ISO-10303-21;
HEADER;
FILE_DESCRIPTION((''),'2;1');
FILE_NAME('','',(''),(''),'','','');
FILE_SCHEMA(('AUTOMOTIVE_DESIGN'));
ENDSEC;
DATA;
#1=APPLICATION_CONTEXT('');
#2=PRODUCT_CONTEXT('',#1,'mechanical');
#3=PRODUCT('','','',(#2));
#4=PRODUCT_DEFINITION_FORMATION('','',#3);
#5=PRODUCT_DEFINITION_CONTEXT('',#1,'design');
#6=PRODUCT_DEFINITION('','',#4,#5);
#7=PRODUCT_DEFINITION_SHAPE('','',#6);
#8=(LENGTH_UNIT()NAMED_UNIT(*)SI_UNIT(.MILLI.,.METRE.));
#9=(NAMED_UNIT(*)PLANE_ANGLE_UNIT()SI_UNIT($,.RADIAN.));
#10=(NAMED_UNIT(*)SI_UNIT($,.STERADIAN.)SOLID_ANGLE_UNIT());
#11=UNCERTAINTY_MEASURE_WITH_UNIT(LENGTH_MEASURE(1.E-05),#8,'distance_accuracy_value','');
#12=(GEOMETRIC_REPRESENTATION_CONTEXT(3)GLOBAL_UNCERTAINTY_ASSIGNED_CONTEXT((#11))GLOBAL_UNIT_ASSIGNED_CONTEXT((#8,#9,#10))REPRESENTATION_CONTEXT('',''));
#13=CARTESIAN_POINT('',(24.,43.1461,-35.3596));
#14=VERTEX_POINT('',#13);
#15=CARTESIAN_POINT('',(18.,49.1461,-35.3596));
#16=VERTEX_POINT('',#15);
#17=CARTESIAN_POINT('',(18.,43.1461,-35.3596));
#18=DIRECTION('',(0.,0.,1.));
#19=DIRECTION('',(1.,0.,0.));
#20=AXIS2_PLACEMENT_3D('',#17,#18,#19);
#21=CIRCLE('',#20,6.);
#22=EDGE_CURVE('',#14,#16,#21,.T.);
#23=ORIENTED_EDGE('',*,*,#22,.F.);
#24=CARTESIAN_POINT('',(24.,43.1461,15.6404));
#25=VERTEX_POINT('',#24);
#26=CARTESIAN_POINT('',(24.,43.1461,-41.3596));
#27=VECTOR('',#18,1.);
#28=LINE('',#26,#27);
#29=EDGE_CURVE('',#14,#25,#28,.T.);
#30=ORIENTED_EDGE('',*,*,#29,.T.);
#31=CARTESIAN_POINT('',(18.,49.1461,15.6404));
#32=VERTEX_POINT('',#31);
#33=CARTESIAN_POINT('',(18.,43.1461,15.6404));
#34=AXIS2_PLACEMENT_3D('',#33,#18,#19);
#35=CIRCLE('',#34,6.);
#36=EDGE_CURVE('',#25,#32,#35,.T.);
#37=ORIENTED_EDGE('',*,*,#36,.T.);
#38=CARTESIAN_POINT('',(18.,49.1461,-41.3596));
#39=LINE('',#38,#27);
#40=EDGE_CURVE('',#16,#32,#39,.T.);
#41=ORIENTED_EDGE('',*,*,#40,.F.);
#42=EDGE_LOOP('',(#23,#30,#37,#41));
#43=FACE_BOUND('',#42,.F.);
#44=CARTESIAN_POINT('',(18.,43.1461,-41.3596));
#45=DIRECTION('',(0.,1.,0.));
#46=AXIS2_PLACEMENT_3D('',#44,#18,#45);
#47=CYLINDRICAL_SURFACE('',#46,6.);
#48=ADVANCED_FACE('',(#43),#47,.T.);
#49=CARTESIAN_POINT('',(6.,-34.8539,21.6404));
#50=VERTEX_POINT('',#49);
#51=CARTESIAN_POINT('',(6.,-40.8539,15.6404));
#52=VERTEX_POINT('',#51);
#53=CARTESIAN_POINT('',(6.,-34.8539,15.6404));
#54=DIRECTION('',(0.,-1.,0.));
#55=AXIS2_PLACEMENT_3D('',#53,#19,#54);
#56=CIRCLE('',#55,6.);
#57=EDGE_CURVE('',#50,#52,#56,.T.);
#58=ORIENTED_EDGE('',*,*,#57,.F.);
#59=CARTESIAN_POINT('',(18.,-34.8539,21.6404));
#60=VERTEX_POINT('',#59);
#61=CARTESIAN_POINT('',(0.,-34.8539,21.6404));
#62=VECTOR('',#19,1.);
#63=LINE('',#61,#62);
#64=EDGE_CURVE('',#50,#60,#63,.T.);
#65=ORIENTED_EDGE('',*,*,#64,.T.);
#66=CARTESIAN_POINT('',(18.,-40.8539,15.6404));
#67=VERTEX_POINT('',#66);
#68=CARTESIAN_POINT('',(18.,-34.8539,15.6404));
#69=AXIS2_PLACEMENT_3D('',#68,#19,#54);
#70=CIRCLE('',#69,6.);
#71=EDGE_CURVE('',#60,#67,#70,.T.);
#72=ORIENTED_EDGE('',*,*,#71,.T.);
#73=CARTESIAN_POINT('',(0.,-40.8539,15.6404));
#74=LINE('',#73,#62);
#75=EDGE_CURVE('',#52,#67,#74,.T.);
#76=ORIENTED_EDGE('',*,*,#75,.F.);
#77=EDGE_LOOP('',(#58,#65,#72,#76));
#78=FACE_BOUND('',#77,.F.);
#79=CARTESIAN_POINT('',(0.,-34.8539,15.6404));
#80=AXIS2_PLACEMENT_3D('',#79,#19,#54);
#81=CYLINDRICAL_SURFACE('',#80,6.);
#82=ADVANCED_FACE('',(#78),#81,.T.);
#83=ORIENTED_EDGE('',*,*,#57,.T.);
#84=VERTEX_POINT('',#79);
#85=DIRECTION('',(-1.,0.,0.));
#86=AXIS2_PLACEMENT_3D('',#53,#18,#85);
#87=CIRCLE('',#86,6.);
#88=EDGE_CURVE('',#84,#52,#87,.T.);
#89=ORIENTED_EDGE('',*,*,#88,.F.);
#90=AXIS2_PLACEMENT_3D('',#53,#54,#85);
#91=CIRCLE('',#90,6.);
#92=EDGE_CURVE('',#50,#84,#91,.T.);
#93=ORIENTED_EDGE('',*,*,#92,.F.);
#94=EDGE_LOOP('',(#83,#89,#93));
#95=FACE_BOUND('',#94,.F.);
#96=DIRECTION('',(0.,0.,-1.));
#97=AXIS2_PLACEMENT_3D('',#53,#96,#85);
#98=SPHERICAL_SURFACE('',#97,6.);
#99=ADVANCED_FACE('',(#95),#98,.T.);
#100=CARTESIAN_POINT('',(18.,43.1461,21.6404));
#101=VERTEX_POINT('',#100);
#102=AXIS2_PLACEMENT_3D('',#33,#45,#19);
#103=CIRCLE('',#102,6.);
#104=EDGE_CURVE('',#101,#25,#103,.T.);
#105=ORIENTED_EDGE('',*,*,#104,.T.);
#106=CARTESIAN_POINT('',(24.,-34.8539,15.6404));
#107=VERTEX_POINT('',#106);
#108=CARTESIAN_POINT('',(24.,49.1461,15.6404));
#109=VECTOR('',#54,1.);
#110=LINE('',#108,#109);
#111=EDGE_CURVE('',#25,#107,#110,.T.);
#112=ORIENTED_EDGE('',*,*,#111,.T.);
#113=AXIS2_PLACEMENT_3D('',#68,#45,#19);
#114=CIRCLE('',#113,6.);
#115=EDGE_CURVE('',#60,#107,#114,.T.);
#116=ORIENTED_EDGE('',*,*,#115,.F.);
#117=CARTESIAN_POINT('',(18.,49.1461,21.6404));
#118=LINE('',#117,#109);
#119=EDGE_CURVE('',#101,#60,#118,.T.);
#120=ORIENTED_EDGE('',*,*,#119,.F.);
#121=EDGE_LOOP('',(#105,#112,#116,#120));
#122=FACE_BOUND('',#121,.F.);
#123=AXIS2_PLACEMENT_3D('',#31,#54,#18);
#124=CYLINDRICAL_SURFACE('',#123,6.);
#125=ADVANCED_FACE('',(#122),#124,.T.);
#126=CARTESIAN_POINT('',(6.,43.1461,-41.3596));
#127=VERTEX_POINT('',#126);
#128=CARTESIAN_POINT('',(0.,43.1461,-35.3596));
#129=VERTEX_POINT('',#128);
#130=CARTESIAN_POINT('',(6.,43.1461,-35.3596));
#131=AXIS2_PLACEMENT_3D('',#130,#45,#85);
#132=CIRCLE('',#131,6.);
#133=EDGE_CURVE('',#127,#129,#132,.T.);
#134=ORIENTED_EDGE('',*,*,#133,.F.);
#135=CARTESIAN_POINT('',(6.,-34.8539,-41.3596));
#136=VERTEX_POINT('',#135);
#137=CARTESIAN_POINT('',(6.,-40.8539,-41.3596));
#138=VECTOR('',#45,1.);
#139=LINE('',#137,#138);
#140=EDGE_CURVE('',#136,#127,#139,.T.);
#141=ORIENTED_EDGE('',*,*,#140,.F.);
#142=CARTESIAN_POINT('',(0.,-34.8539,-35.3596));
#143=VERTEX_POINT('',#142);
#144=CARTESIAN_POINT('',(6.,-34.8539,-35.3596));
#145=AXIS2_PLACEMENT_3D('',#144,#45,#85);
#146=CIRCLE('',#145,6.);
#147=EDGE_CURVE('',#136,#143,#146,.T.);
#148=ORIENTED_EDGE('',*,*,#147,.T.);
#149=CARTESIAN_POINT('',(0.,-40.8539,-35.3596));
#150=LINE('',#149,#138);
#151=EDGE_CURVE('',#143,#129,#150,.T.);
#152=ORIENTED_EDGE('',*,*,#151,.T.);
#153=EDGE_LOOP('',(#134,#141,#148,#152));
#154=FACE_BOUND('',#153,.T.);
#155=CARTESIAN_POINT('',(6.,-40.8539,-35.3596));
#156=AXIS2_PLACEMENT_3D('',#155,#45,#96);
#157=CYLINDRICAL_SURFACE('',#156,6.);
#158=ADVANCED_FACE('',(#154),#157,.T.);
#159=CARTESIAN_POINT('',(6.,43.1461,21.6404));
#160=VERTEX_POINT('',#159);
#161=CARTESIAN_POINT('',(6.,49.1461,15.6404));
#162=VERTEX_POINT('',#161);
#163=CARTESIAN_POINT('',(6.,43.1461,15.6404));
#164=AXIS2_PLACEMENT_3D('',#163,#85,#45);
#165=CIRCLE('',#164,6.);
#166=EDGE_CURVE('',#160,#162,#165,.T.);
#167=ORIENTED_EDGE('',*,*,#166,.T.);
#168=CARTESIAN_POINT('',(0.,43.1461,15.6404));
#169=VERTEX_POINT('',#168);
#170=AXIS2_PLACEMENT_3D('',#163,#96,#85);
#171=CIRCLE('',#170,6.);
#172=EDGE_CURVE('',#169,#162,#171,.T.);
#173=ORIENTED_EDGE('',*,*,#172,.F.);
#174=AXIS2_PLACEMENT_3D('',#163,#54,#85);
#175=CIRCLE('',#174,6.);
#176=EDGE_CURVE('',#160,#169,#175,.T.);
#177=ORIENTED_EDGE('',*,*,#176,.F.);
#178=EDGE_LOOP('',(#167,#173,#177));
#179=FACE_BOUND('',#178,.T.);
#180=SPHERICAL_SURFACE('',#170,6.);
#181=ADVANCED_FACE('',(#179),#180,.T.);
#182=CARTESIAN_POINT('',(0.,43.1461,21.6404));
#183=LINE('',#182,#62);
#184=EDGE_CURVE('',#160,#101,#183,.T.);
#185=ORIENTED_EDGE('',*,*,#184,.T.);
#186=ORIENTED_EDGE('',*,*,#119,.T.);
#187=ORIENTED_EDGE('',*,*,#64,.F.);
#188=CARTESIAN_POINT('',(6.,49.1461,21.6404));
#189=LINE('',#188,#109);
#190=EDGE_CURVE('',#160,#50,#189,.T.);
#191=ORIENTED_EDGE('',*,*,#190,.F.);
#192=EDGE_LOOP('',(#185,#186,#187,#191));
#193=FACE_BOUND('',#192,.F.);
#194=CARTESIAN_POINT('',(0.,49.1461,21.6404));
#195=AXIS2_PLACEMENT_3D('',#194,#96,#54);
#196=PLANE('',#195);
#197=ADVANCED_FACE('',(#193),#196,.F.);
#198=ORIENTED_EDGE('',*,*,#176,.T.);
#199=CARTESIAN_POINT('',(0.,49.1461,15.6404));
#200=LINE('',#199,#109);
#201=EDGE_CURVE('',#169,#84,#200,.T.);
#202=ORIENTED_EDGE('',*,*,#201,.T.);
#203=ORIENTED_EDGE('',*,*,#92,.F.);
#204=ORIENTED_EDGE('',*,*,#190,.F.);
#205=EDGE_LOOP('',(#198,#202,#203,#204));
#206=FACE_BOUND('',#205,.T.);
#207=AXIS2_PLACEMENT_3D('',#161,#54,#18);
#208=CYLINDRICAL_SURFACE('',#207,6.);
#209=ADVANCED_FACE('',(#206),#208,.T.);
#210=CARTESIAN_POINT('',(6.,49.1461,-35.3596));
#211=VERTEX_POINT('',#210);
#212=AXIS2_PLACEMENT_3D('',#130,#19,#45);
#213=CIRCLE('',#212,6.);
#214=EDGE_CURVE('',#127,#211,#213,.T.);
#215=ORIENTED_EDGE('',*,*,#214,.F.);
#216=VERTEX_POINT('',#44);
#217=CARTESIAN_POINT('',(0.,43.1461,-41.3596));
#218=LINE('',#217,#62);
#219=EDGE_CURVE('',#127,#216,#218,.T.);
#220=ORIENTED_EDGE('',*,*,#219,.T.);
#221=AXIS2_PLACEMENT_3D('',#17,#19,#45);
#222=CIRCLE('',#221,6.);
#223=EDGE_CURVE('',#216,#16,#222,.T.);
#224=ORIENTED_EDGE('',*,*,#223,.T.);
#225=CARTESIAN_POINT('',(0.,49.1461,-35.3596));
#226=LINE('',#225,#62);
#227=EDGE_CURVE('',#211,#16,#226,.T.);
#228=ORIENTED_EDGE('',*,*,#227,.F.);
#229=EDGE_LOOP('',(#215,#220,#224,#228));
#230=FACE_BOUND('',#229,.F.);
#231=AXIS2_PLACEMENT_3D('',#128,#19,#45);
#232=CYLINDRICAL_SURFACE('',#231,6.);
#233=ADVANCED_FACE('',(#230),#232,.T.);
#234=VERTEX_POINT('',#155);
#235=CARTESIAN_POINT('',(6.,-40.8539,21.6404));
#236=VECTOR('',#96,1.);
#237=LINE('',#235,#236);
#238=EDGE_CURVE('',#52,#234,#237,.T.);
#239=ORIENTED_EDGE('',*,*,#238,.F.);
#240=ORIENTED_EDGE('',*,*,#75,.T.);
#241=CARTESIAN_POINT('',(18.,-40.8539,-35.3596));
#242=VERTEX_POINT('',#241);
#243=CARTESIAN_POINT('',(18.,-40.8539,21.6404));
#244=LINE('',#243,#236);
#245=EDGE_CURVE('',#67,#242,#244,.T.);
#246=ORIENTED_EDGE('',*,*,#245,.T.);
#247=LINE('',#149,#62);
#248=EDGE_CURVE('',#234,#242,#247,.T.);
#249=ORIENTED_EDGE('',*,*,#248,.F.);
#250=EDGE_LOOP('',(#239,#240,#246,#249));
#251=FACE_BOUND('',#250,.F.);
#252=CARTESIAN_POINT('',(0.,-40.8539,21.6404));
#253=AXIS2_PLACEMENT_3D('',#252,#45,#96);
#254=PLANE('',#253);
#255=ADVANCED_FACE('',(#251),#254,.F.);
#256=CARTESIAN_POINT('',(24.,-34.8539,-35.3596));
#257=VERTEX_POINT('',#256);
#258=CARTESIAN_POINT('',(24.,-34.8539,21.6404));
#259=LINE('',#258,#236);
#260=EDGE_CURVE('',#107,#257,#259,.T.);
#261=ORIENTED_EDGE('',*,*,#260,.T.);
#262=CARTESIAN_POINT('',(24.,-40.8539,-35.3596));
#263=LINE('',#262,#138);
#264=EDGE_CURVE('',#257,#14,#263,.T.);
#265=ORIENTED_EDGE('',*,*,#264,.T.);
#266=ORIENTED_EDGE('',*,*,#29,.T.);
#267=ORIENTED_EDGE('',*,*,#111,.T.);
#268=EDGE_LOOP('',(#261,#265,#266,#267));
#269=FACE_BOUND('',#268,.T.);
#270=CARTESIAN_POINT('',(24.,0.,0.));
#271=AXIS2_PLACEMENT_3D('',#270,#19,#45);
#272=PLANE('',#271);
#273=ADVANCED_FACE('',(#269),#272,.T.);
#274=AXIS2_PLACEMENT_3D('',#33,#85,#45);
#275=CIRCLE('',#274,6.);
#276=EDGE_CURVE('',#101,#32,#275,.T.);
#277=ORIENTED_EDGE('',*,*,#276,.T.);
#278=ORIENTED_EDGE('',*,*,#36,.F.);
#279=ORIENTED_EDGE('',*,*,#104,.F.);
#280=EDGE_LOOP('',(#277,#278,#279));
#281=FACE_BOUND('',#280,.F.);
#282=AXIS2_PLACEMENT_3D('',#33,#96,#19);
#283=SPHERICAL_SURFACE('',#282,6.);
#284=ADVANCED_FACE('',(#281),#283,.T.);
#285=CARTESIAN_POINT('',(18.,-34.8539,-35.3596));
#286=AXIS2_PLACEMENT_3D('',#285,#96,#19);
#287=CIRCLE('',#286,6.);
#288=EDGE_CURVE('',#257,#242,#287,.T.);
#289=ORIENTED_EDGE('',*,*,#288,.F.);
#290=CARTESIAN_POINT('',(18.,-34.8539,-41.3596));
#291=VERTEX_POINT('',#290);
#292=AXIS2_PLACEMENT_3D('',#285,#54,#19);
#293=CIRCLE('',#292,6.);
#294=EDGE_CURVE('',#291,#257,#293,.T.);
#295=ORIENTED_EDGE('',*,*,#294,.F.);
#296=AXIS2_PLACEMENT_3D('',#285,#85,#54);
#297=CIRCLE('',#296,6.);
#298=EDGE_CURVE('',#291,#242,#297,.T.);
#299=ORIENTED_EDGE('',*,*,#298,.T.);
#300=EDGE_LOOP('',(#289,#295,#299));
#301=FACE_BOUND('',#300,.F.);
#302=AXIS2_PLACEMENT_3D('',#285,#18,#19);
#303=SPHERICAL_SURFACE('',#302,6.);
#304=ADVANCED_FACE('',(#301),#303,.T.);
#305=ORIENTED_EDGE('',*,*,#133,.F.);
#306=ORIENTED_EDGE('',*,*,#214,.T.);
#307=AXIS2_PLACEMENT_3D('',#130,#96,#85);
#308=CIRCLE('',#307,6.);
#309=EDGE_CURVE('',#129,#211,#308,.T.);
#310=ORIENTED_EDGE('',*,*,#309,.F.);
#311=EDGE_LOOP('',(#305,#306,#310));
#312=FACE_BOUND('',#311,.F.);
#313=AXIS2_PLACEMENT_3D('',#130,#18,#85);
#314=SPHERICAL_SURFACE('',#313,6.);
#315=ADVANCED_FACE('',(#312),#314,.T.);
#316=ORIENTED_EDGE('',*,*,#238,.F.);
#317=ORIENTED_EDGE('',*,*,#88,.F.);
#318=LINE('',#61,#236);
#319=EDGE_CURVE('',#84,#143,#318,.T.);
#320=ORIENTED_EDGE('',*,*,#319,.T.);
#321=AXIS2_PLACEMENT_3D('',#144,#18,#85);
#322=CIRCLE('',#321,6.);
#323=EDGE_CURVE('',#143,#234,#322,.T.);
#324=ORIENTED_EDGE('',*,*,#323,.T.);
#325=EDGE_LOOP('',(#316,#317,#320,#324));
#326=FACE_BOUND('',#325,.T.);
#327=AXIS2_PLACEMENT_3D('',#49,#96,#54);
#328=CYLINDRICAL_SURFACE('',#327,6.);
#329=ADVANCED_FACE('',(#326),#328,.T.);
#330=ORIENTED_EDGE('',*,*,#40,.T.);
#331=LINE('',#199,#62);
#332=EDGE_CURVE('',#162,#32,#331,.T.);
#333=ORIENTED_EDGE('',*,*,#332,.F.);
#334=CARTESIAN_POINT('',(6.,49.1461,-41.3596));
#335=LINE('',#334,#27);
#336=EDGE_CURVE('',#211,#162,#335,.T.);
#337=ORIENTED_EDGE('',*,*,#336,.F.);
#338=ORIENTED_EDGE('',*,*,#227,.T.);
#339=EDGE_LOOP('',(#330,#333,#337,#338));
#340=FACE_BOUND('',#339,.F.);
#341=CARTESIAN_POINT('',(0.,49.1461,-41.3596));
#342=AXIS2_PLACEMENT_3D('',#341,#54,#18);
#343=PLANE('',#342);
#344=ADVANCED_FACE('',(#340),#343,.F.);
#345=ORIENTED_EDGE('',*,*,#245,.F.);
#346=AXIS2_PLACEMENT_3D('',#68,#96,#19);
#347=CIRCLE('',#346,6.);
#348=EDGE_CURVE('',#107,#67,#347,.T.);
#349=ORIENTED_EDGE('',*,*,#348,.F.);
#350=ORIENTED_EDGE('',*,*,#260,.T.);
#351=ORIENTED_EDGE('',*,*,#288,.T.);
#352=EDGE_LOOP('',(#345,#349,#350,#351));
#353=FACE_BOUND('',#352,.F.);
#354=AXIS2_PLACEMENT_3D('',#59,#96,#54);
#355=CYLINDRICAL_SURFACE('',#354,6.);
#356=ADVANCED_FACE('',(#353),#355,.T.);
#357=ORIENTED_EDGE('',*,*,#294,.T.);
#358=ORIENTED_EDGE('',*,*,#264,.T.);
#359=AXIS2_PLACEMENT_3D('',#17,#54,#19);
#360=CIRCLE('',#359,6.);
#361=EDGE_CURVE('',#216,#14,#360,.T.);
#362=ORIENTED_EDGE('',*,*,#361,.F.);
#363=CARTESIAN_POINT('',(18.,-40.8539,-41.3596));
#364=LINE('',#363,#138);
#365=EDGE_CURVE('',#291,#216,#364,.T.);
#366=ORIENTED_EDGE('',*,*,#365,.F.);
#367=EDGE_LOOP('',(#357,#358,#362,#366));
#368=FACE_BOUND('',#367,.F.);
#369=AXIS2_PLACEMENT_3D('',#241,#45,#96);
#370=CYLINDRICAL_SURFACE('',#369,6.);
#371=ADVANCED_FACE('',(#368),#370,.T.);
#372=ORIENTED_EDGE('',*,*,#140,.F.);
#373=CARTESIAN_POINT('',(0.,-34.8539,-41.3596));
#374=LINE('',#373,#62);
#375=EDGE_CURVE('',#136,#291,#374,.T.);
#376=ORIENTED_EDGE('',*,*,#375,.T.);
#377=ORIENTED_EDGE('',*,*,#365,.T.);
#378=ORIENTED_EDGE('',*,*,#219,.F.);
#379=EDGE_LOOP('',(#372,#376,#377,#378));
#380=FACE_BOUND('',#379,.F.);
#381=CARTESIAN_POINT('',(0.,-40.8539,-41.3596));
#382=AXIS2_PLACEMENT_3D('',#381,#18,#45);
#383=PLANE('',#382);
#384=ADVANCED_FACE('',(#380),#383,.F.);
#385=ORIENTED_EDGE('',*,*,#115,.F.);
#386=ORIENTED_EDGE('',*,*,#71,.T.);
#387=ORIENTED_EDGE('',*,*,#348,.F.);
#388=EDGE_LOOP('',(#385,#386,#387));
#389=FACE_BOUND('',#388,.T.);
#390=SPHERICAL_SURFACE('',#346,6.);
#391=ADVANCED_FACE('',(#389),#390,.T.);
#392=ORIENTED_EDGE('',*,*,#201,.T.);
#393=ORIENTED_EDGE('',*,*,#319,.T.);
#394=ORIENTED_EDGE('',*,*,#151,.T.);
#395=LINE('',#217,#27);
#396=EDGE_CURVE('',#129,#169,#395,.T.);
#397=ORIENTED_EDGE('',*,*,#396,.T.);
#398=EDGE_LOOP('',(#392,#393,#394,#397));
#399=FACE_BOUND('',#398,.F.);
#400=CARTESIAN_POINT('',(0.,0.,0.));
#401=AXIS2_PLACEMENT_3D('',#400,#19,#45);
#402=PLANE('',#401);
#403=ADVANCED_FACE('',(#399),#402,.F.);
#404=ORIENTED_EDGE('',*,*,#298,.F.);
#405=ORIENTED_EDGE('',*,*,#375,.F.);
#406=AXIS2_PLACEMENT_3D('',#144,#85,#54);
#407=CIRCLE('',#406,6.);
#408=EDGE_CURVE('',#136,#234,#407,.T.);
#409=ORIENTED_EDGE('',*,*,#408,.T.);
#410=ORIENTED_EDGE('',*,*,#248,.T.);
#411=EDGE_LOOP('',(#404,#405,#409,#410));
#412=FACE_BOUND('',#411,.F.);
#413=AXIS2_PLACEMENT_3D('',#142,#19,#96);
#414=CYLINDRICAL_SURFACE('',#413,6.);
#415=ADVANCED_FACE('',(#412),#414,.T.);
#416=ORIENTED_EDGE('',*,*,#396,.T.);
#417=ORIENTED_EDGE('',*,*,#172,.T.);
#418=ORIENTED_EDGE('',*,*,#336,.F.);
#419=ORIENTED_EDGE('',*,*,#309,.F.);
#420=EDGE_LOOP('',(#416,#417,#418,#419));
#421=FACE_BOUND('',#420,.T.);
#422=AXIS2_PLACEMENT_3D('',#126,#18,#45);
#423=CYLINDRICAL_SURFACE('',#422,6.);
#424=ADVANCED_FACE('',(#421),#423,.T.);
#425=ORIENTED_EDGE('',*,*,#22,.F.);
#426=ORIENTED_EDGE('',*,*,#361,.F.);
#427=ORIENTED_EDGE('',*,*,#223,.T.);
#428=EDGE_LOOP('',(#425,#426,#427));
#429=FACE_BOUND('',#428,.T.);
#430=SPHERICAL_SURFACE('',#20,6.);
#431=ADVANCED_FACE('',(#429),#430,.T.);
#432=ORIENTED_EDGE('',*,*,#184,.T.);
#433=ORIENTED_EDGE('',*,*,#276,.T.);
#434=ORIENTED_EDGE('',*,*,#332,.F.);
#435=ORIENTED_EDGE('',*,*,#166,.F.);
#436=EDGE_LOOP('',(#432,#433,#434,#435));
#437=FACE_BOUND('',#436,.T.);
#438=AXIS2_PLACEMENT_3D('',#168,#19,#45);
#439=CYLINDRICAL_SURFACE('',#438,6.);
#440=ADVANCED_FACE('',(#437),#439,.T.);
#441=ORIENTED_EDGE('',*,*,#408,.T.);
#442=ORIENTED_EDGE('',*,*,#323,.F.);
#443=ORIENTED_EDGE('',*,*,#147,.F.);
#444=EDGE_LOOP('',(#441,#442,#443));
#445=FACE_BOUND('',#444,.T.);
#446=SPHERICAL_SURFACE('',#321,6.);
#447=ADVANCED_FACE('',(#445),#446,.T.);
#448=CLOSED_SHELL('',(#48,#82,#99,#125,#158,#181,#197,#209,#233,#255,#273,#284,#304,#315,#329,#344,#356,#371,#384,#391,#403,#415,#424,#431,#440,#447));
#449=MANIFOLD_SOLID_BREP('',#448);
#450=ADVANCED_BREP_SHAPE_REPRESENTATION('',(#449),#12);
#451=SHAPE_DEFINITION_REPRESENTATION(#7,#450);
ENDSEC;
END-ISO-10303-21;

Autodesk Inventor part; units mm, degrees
ref_plane "YZ Plane" through (0, 0, 0) normal (1, 0, 0) x (0, 1, 0)
ref_plane "XZ Plane" through (0, 0, 0) normal (0, 1, 0) x (-1, 0, 0)
ref_plane "XY Plane" through (0, 0, 0) normal (0, 0, 1) x (1, 0, 0)
sketch "Sketch1" plane through (0, 0, 0) normal (1, 0, 0) x (0, 1, 0)
  line L0 (49.1461, 21.6404) -> (-40.8539, 21.6404)
  line L1 (-40.8539, 21.6404) -> (-40.8539, -41.3596)
  line L2 (-40.8539, -41.3596) -> (49.1461, -41.3596)
  line L3 (49.1461, -41.3596) -> (49.1461, 21.6404)
  point P0 (0, 0)
  dimension "d0" = 90
  dimension "d1" = 63
extrude "Extrusion1" add sketch "Sketch1" along normal blind 24
fillet "Fillet1" radius 6 12 edges at (0, 49.1461, -9.8596) (24, 49.1461, -9.8596) (24, -40.8539, -9.8596) (0, -40.8539, -9.8596) (24, 4.1461, 21.6404) (0, 4.1461, 21.6404) (24, 4.1461, -41.3596) (0, 4.1461, -41.3596) (12, -40.8539, -41.3596) (12, -40.8539, 21.6404) (12, 49.1461, -41.3596) (12, 49.1461, 21.6404)
properties part number "battery"
